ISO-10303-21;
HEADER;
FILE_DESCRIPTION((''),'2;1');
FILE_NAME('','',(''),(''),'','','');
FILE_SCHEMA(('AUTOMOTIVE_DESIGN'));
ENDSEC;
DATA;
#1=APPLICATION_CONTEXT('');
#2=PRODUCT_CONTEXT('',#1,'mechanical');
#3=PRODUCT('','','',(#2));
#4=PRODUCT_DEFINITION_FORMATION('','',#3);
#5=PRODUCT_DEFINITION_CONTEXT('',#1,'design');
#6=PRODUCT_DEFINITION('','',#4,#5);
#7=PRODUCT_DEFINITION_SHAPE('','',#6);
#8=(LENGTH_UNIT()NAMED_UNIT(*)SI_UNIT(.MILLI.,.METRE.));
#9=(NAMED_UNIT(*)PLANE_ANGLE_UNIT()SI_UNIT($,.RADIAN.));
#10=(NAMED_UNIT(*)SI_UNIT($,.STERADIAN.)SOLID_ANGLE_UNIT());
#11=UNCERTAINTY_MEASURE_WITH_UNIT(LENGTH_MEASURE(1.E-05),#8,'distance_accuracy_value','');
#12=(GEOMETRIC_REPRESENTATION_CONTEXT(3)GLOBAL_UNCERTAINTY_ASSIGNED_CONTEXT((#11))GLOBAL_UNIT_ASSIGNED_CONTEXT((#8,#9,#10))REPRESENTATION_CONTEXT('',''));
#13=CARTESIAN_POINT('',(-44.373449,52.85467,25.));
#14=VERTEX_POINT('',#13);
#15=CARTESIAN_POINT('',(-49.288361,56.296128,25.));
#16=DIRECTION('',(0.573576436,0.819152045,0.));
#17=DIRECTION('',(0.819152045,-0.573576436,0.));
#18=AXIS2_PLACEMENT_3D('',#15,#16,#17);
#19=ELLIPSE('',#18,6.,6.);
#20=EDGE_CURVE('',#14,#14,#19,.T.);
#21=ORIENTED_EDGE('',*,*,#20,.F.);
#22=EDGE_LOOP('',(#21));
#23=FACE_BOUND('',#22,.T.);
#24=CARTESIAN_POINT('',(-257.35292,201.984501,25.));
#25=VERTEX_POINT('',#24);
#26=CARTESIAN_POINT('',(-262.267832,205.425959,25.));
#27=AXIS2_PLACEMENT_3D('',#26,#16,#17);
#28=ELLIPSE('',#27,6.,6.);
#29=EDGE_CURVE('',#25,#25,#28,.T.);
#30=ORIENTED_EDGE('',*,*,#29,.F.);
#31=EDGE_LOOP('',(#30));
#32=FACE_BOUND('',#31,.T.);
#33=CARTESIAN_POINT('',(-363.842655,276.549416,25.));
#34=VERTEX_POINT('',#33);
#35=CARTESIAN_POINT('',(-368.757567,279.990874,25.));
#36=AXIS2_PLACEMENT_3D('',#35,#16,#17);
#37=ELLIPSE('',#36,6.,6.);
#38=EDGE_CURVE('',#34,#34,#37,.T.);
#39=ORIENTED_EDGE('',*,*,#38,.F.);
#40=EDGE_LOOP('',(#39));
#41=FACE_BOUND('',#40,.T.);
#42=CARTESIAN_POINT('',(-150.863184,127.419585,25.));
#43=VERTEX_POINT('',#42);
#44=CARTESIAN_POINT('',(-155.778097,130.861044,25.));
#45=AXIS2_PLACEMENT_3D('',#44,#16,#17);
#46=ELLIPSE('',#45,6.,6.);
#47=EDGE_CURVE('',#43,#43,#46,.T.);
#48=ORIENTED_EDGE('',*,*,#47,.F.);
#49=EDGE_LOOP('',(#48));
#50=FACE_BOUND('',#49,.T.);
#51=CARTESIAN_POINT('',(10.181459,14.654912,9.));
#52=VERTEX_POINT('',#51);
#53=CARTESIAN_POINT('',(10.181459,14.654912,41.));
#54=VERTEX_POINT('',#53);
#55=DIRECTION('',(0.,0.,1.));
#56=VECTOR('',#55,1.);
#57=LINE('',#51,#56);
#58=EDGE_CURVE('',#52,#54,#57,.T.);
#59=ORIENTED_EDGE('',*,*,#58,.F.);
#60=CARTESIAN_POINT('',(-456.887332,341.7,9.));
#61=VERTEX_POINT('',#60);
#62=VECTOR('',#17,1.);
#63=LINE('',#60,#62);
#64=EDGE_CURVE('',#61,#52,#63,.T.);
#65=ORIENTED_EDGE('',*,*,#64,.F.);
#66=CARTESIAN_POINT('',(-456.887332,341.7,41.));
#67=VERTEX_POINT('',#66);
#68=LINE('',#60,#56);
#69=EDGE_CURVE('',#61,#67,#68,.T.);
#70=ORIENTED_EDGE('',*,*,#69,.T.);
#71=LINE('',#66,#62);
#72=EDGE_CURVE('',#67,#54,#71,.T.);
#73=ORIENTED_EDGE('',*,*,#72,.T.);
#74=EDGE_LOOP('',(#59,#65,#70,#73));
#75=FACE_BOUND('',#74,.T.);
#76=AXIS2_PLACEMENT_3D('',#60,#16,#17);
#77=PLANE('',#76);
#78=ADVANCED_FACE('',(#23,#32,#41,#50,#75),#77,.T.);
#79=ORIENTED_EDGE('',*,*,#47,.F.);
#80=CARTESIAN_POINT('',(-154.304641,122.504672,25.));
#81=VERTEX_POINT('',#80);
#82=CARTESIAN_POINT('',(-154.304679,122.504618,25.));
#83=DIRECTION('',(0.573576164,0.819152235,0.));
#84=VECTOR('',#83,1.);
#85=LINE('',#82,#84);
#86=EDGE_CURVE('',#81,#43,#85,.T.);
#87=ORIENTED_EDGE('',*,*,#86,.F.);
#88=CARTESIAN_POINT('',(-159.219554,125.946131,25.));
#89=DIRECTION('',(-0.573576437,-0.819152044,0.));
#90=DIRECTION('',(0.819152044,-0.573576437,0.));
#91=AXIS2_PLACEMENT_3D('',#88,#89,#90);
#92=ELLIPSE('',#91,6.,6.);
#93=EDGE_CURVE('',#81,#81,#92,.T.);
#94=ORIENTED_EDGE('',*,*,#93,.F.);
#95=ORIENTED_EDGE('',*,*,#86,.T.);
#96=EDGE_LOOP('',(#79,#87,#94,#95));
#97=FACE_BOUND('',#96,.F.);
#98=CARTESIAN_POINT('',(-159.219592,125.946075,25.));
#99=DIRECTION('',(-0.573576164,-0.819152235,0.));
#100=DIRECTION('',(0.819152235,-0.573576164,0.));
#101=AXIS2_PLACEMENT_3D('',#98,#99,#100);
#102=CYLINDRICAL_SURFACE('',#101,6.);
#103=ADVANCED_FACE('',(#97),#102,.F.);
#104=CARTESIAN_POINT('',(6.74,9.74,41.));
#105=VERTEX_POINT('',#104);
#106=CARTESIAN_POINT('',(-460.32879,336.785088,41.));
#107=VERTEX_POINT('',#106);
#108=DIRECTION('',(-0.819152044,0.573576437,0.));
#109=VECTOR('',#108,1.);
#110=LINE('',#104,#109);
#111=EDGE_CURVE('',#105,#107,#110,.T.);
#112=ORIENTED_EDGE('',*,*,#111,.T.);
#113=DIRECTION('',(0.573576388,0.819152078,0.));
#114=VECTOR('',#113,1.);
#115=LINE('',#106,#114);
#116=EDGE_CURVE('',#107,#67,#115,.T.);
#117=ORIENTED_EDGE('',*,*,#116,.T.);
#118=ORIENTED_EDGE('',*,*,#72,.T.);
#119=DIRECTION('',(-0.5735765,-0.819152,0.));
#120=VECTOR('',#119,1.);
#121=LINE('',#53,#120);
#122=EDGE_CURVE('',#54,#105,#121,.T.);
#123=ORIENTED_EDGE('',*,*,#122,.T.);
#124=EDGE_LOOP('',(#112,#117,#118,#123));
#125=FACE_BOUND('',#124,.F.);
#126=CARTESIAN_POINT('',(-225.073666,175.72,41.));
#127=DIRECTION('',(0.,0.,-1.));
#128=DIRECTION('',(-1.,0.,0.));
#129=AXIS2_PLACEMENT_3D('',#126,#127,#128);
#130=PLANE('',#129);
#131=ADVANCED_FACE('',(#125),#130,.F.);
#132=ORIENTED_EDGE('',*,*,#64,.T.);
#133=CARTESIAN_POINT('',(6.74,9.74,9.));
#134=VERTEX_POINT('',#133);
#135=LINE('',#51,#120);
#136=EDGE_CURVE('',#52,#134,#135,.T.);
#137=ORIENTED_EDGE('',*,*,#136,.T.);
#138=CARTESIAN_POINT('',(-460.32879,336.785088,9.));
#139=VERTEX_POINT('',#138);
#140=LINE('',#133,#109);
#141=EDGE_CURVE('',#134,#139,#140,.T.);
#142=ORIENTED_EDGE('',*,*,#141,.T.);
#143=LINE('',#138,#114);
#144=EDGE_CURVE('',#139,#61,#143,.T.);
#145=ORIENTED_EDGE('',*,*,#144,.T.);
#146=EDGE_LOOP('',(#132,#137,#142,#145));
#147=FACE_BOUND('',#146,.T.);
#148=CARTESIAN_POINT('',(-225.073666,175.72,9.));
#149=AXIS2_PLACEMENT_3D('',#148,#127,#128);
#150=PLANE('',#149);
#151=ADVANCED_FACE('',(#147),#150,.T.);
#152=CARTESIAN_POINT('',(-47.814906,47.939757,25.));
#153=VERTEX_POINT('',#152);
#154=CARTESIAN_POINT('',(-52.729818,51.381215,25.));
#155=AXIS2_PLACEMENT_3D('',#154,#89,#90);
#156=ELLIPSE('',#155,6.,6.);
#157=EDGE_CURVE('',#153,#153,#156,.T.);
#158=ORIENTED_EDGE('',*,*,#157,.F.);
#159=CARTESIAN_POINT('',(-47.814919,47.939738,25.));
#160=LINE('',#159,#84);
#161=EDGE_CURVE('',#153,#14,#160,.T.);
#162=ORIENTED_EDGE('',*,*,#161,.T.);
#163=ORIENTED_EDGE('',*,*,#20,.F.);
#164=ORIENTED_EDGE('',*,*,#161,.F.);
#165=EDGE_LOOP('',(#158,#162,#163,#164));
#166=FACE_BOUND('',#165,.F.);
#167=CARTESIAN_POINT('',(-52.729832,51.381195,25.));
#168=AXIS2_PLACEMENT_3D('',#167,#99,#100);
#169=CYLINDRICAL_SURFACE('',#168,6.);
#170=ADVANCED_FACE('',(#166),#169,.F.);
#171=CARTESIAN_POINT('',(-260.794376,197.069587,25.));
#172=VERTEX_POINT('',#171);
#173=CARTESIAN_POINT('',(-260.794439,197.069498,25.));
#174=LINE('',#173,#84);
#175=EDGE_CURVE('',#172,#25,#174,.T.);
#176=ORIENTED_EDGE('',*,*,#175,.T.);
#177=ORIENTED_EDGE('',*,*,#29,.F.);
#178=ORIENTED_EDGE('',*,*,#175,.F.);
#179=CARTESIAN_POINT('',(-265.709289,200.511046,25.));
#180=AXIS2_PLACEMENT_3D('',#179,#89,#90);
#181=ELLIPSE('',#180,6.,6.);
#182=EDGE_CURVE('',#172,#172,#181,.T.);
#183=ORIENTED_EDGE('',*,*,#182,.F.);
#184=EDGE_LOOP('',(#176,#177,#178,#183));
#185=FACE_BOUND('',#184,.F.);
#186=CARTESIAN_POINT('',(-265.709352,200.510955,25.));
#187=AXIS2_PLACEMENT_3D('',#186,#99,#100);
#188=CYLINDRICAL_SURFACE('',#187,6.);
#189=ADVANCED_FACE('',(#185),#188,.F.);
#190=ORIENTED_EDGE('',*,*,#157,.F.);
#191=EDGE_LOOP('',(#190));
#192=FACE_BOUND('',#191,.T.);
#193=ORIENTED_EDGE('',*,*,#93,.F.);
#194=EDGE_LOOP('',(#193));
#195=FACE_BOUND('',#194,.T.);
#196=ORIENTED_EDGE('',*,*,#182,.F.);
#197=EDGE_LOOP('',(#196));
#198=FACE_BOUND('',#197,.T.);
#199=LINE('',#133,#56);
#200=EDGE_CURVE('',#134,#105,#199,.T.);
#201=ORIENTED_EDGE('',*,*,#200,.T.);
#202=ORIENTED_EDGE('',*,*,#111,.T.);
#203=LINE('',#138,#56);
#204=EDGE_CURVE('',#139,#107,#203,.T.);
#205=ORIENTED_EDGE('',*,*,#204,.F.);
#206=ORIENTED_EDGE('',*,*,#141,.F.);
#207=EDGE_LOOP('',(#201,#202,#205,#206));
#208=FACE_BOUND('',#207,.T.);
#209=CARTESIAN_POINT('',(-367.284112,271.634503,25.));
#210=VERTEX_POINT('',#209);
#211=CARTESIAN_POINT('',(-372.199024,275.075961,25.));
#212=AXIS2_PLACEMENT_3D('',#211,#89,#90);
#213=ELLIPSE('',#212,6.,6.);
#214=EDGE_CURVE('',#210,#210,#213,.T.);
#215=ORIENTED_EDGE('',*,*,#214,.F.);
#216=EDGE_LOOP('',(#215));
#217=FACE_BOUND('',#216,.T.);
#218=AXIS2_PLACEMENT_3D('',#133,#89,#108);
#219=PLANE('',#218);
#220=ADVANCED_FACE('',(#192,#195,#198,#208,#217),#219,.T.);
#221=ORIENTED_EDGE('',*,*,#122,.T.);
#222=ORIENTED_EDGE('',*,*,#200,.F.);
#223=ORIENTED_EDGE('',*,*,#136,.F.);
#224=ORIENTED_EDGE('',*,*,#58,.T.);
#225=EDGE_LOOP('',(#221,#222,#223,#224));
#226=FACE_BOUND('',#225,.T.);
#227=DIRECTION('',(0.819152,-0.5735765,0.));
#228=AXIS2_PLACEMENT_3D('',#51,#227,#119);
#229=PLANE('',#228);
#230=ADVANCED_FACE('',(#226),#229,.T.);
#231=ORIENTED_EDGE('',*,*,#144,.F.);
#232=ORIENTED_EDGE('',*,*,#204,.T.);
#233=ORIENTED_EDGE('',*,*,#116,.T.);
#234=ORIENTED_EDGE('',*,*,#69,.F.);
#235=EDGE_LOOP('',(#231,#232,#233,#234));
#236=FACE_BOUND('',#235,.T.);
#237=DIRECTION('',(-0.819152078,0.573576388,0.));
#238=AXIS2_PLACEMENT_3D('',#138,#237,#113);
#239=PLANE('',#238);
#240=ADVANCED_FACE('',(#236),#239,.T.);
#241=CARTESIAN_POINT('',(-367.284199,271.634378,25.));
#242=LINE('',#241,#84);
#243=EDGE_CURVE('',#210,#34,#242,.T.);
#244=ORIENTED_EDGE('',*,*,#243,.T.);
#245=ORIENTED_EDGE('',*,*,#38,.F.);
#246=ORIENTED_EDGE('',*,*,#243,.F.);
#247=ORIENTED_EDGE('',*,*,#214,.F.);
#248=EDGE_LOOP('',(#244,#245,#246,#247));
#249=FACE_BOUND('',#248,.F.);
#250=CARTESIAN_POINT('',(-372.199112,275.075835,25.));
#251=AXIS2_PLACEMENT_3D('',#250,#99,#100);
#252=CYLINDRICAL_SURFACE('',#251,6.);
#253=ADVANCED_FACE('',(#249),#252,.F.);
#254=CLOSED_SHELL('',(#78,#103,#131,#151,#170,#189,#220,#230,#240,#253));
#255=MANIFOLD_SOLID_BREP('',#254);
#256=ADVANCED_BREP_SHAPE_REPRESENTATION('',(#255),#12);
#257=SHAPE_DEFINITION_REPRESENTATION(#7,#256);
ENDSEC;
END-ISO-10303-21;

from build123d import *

# Parameters (mm, degrees)
PAD006_DEPTH           = 32
SKETCH014_R            = 6
POCKET004_DEPTH        = 273.900652
LINEARPATTERN002_COUNT = 4
LINEARPATTERN002_PITCH = 130


with BuildPart() as part:
    # Sketch013 → Pad006 (new body)
    with BuildSketch(Plane.XY):
        Polygon((-456.887332, 341.7), (10.181459, 14.654912), (6.74, 9.74), (-460.32879, 336.785088), align=None)
    extrude(amount=PAD006_DEPTH)

    # Sketch014 (on Face3 of Pad006) → Pocket004 (cut, through all)
    with BuildSketch(Plane(origin=(6.793695, 9.702402, 0), x_dir=(0.819152, -0.573576, 0), z_dir=(-0.573576, -0.819152, 0))):
        with Locations((-462.664681, 16)):
            Circle(SKETCH014_R)
    pocket004 = extrude(amount=-POCKET004_DEPTH, mode=Mode.SUBTRACT)

    # LinearPattern002: Pocket004 ×4
    with Locations(*[Vector(0.819152, -0.573576, 0) * (i * LINEARPATTERN002_PITCH) for i in range(1, LINEARPATTERN002_COUNT)]):
        add(pocket004, mode=Mode.SUBTRACT)


with BuildPart() as part_1:
    # Body005 placement: moved
    add(part.part.moved(Location((0, 0, 9))))


solid = part_1.part
